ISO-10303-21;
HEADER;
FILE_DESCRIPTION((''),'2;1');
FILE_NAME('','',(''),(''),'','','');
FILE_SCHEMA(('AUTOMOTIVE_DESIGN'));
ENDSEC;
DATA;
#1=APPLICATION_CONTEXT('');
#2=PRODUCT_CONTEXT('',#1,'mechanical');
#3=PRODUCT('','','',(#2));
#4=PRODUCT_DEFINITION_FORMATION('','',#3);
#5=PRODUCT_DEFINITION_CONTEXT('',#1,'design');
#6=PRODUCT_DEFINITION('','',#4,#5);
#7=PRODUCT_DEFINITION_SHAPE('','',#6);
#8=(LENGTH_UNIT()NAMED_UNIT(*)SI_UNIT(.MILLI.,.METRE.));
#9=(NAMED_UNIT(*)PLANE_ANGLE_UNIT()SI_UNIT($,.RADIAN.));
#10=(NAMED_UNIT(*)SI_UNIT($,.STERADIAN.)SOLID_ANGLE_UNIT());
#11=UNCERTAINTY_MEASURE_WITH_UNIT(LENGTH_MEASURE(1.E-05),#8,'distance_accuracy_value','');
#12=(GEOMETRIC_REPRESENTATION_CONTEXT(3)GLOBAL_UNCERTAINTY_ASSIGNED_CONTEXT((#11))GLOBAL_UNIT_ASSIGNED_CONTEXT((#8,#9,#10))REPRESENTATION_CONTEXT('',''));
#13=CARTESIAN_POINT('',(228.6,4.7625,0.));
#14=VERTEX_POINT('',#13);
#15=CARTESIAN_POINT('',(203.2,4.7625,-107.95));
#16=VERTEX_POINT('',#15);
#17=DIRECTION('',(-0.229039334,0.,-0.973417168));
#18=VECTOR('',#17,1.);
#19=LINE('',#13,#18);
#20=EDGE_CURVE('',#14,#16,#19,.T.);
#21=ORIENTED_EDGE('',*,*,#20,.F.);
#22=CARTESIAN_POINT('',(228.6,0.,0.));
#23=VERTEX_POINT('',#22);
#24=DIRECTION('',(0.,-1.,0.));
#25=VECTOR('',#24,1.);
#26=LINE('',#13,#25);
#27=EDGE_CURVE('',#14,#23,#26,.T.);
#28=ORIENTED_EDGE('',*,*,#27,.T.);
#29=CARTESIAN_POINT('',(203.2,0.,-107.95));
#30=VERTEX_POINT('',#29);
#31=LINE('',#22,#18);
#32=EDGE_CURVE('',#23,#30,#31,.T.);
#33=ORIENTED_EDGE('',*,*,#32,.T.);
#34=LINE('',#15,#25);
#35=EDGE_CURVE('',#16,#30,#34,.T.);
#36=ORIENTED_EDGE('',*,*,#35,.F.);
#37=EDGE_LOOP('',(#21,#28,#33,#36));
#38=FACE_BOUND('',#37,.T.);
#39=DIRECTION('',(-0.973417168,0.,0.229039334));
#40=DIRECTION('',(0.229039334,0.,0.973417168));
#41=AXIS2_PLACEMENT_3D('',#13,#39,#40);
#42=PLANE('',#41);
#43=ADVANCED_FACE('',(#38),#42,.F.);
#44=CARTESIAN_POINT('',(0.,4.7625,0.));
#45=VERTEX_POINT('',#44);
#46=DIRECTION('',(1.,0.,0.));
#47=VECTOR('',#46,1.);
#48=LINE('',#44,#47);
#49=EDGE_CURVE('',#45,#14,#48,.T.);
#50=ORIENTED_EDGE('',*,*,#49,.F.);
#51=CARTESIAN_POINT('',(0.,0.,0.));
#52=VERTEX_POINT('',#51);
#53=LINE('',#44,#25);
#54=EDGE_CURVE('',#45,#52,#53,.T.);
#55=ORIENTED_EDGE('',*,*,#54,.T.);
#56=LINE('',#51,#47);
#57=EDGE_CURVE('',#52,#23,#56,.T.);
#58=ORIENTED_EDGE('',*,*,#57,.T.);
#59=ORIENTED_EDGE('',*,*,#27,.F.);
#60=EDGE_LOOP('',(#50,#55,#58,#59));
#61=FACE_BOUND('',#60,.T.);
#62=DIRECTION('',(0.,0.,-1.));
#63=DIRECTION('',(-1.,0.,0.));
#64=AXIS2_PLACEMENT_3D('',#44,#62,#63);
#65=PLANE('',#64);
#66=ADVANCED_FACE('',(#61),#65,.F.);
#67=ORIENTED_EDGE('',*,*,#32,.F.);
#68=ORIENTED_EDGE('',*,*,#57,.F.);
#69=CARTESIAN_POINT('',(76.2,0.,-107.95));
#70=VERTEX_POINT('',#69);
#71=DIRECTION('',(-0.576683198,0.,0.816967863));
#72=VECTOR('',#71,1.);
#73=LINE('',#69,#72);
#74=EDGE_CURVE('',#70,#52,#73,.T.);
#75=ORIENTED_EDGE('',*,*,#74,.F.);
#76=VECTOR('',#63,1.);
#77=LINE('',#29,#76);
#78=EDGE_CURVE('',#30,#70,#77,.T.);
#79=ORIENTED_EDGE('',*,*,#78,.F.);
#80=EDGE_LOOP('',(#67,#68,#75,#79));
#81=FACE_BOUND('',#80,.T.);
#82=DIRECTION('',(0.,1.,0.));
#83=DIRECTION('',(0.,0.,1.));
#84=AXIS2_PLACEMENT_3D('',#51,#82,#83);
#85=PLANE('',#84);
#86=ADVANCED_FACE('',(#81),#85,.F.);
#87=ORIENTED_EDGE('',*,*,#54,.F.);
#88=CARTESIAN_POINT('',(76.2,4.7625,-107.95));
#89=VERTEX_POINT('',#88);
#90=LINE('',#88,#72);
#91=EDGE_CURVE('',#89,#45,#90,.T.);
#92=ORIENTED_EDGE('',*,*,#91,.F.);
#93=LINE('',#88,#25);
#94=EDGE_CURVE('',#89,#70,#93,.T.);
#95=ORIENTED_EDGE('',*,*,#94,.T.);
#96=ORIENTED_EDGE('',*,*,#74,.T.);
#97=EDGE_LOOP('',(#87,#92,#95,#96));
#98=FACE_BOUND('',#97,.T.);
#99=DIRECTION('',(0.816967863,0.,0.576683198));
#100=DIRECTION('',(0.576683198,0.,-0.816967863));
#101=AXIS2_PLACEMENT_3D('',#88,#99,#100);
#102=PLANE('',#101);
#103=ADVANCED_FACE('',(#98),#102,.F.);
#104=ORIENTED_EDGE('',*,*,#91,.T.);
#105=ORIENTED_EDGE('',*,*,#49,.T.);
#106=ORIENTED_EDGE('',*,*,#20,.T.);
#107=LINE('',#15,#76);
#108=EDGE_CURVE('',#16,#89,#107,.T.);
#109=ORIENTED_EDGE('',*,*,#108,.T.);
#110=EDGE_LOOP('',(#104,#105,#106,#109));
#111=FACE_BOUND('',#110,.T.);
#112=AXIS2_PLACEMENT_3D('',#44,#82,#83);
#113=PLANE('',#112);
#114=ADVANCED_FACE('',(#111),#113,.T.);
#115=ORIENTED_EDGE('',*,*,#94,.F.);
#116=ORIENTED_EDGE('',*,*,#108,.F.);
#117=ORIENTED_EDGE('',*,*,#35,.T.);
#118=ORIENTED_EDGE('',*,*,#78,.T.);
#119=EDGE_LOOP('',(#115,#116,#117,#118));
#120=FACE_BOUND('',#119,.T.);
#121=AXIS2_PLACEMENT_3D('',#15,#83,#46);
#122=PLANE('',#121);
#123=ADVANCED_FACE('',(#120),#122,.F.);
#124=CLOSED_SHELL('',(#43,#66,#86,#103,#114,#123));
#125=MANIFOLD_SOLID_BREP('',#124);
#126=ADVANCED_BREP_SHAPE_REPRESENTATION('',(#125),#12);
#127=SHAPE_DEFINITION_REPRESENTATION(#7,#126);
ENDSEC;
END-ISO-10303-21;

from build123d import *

# Parameters (mm, degrees)
BOSS_EXTRUDE1_DEPTH = 4.7625


with BuildPart() as part:
    # Sketch2 → Boss-Extrude1 (new body)
    with BuildSketch(Plane(origin=(0, 0, 0), x_dir=(1, 0, 0), z_dir=(0, 1, 0))):
        Polygon((228.6, 0), (203.2, 107.95), (76.2, 107.95), (0, 0), align=None)
    extrude(amount=BOSS_EXTRUDE1_DEPTH)


solid = part.part
